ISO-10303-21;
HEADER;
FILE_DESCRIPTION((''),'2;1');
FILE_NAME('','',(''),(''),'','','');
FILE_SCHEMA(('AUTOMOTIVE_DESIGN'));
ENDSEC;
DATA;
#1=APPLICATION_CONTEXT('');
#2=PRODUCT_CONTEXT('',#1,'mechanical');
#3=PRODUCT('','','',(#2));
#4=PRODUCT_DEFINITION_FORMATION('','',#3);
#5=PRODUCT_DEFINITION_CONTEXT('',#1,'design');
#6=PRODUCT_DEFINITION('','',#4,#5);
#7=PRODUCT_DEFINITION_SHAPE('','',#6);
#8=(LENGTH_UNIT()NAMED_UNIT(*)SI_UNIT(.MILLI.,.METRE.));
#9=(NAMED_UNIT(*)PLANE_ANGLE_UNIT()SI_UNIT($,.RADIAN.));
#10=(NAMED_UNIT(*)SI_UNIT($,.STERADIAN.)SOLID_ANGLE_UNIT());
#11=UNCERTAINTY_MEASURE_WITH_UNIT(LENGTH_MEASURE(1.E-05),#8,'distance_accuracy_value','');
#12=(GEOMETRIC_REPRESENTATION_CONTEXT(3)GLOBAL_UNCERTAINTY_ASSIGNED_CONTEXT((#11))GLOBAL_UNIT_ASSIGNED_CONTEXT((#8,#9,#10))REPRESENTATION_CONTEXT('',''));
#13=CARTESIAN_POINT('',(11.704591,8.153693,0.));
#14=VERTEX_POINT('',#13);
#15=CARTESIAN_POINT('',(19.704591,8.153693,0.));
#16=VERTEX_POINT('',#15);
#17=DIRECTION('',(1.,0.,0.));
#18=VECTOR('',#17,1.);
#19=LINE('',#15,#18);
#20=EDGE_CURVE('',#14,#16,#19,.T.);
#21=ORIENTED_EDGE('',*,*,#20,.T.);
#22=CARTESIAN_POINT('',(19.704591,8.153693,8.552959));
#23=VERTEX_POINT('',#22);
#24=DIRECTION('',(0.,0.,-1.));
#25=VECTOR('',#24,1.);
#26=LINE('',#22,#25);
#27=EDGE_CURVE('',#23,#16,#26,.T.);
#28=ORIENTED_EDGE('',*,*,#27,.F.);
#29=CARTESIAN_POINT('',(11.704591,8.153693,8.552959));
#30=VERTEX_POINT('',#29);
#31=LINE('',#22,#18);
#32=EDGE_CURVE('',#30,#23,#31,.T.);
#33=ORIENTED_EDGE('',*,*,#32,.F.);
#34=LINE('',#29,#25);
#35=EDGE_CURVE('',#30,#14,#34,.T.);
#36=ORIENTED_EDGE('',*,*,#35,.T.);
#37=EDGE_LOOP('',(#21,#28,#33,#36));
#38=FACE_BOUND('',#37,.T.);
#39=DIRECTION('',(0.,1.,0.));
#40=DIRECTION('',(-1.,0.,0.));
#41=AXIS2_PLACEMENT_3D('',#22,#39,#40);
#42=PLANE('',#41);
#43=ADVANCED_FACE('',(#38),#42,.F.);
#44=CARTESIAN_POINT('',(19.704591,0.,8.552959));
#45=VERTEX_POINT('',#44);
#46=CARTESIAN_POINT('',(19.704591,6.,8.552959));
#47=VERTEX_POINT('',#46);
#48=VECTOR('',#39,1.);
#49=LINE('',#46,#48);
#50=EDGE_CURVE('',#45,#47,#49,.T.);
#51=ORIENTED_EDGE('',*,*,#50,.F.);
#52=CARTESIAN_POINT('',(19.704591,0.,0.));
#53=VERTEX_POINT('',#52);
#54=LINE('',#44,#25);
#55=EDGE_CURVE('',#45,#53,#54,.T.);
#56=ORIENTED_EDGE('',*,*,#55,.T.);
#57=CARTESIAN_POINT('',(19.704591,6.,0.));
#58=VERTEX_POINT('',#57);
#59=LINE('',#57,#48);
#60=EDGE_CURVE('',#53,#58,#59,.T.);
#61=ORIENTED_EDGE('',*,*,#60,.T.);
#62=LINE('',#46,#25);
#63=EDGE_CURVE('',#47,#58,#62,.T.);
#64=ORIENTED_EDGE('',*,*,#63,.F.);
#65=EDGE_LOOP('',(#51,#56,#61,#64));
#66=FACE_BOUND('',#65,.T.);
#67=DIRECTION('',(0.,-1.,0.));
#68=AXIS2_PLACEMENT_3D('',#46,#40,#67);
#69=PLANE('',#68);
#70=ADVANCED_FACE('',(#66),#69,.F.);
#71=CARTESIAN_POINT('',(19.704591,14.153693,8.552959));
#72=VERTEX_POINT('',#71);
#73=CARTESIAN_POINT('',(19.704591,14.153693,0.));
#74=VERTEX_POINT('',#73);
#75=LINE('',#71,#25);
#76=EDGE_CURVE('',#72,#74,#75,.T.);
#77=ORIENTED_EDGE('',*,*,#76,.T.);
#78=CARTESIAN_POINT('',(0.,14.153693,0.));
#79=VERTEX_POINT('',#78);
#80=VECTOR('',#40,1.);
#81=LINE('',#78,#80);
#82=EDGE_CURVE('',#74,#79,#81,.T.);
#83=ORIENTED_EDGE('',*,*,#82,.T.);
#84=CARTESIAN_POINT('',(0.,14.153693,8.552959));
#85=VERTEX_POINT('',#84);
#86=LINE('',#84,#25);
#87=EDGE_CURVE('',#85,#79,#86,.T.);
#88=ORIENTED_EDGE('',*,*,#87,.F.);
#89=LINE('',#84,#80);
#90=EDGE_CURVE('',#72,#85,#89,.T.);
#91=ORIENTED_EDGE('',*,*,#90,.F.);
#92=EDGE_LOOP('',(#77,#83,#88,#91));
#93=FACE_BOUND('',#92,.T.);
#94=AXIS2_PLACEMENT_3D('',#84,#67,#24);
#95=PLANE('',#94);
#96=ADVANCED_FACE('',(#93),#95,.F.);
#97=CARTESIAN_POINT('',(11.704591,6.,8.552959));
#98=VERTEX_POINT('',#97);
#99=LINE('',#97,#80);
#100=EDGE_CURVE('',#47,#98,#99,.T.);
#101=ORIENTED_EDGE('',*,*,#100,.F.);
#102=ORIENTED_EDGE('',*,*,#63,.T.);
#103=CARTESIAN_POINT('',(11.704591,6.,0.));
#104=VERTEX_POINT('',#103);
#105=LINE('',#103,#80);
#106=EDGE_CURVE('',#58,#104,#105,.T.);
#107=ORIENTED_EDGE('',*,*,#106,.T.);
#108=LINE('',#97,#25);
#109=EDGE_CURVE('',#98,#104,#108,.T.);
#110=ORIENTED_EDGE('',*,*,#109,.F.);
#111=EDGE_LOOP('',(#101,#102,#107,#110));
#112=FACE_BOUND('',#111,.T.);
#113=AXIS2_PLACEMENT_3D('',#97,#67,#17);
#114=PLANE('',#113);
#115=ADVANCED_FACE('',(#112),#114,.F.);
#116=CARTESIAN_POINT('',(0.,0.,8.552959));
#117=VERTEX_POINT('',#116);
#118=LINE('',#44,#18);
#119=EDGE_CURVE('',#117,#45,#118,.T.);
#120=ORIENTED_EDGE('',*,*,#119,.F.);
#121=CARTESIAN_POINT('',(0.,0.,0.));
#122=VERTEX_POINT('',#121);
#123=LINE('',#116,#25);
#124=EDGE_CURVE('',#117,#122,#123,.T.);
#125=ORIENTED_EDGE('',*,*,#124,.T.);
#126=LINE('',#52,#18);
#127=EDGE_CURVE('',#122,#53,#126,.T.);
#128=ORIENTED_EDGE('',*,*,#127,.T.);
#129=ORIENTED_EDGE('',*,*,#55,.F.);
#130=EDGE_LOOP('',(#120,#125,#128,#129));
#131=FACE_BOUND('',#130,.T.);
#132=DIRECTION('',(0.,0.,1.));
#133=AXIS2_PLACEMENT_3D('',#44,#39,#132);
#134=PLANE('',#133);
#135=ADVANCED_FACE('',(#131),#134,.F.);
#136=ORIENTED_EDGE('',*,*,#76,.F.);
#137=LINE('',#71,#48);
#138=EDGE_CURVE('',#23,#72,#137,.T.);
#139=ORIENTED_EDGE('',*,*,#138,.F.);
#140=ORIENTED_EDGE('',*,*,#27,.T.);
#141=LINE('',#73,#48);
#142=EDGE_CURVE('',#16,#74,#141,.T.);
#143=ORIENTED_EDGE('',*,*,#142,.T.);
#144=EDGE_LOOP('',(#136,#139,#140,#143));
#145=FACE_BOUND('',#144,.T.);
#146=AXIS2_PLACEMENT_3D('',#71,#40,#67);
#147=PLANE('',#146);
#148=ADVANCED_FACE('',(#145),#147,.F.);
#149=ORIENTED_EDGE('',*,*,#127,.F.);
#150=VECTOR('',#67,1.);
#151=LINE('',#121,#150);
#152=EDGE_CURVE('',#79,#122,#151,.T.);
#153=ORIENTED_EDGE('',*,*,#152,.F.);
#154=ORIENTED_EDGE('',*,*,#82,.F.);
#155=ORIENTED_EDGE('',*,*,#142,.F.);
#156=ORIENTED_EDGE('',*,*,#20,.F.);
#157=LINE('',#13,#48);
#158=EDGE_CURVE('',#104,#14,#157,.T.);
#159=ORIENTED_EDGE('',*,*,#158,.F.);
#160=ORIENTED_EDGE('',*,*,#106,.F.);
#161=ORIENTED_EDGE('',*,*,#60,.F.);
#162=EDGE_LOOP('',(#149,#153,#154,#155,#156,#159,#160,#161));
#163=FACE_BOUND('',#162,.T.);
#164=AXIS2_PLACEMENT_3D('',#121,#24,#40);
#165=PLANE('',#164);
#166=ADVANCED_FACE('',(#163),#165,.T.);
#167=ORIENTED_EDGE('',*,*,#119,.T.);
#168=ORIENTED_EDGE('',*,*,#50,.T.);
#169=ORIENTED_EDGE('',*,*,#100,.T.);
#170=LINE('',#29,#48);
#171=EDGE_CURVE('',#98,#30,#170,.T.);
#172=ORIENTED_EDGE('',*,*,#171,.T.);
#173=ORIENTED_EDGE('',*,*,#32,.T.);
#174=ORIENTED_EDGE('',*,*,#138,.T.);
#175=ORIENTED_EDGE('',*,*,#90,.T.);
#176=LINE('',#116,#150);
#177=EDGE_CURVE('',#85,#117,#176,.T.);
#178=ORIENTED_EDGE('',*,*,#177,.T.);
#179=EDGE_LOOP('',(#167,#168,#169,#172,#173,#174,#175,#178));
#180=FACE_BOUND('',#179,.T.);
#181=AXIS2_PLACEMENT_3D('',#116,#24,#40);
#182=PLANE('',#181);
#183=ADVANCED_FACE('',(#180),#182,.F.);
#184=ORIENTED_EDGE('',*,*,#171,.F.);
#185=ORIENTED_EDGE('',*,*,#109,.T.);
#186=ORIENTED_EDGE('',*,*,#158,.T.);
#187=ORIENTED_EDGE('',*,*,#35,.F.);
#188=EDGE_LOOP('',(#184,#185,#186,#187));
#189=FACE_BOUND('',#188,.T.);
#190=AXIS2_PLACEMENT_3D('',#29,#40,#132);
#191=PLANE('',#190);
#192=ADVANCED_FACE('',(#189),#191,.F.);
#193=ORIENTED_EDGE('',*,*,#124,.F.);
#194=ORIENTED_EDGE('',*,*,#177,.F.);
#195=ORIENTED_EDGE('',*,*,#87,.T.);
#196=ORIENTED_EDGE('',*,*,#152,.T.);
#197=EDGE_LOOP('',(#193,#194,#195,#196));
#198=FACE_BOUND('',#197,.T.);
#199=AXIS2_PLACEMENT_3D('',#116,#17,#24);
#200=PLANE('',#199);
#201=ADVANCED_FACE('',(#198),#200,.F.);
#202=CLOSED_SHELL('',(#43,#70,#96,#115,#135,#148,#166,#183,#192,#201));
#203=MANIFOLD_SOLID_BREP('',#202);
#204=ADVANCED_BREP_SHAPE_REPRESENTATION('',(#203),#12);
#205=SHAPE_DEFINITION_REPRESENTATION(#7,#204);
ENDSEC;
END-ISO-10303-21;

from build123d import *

# Parameters (mm, degrees)
BOSS_EXTRUDE1_DEPTH = 8.552959


with BuildPart() as part:
    # Sketch1 → Boss-Extrude1 (new body)
    with BuildSketch(Plane.XY):
        Polygon((0, 0), (0, 14.1536931), (19.704590583, 14.1536931), (19.704590583, 8.1536931), (11.704590583, 8.1536931), (11.704590583, 6), (19.704590583, 6), (19.704590583, 0), align=None)
    extrude(amount=BOSS_EXTRUDE1_DEPTH)


solid = part.part
